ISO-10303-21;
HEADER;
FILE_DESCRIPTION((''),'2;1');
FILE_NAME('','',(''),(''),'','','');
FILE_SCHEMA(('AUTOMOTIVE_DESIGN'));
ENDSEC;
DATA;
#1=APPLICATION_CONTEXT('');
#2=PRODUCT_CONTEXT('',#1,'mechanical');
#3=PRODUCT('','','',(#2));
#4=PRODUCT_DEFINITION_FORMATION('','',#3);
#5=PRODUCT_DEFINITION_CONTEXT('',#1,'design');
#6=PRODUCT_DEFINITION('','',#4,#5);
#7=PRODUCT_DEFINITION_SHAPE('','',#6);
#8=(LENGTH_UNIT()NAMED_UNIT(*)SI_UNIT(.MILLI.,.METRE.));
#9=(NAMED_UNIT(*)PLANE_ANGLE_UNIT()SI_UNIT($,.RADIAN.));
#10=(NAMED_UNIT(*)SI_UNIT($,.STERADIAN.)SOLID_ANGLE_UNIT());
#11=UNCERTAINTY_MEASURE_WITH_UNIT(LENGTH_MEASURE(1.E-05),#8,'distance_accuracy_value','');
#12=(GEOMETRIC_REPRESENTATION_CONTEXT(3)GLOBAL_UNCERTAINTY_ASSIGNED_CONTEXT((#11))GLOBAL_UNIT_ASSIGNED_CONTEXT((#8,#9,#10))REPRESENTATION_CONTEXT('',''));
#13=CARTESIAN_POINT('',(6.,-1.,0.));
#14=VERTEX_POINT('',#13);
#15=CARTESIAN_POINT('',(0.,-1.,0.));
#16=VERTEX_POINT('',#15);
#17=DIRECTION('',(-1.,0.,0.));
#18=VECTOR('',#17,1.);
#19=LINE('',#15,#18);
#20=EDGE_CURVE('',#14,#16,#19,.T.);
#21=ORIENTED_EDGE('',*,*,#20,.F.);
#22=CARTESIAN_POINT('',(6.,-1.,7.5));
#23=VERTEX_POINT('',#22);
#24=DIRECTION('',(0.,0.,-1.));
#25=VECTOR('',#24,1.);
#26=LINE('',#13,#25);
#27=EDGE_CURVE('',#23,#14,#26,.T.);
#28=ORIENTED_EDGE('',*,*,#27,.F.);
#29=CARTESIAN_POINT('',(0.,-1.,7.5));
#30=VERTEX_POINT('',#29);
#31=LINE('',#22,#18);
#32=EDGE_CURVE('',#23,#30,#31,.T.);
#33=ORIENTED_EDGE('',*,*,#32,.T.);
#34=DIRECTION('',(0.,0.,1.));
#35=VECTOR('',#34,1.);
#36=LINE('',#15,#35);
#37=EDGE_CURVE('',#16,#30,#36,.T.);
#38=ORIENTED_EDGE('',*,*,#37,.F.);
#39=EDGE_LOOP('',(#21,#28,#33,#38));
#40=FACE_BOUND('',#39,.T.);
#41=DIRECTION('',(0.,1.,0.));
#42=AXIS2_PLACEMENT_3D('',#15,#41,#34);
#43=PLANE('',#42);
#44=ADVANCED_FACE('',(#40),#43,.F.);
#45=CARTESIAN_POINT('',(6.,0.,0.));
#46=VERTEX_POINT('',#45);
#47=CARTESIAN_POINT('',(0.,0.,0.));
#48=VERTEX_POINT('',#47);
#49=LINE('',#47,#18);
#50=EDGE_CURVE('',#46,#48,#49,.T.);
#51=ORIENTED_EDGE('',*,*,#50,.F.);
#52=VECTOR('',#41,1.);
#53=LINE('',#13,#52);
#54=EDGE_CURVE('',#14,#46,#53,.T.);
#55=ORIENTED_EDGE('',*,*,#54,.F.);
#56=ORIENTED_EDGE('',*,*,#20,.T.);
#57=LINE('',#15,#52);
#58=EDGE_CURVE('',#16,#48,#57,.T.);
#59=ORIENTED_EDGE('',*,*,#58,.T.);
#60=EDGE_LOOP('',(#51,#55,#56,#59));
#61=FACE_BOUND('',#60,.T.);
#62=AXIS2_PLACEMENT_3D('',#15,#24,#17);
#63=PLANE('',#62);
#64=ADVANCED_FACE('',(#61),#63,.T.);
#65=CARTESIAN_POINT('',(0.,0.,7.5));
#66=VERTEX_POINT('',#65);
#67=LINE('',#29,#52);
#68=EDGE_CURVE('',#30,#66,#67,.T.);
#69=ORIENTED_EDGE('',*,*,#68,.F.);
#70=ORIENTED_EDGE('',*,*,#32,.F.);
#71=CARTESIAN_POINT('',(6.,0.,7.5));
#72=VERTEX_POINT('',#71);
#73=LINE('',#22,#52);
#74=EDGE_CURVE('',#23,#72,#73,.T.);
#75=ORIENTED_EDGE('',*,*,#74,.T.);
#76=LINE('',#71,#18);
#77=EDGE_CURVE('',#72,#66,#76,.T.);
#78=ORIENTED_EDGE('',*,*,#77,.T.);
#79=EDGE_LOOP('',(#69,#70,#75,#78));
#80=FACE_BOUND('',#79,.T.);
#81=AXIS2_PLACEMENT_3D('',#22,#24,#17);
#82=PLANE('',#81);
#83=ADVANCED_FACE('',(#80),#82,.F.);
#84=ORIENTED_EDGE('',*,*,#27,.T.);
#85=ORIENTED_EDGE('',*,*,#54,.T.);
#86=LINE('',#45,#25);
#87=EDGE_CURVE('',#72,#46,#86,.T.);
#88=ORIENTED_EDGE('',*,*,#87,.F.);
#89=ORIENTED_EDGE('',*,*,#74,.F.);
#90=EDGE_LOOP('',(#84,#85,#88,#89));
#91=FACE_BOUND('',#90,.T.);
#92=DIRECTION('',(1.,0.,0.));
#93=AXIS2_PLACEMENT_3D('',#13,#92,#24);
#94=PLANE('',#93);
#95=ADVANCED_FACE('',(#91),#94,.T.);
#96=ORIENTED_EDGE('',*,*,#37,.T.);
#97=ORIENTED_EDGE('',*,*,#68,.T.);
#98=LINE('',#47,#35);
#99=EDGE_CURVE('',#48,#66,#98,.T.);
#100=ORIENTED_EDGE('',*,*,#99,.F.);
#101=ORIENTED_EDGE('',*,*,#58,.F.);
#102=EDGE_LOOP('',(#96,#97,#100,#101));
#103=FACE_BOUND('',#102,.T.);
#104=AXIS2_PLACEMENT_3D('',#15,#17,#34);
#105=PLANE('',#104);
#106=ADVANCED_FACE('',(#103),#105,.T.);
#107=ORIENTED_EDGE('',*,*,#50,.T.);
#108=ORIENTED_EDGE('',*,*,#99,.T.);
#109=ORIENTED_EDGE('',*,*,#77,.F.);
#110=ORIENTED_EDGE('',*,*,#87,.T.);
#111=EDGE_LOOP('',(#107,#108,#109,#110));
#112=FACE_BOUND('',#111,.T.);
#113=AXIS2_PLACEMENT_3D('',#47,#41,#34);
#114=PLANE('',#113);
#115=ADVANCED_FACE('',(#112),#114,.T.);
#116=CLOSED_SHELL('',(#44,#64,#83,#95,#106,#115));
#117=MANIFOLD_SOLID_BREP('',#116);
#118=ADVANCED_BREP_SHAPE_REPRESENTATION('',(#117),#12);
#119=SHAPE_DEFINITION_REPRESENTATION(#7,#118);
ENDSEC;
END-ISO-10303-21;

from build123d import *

# Parameters (mm, degrees)
SKETCH1_W           = 229
SKETCH1_H           = 12.7
BOSS_EXTRUDE1_DEPTH = 1
SKETCH4_W           = 6
SKETCH4_H           = 5.2
CUT_EXTRUDE3_DEPTH  = 2


with BuildPart() as part:
    # Sketch1 → Boss-Extrude1 (new body)
    with BuildSketch(Plane(origin=(0, 0, 0), x_dir=(1, 0, 0), z_dir=(0, 1, 0))):
        with Locations((114.5, -6.35)):
            Rectangle(SKETCH1_W, SKETCH1_H)
    extrude(amount=-BOSS_EXTRUDE1_DEPTH)

    # Sketch4 → Cut-Extrude3 (cut, through all)
    with BuildSketch(Plane(origin=(0, 0, 0), x_dir=(1, 0, 0), z_dir=(0, 1, 0))):
        Polygon((6, -12.7), (229, -12.7), (229, 0), (6, 0), (6, -7.5), align=None)
        with Locations((3, -10.1)):
            Rectangle(SKETCH4_W, SKETCH4_H)
    extrude(amount=-CUT_EXTRUDE3_DEPTH, mode=Mode.SUBTRACT)


solid = part.part
